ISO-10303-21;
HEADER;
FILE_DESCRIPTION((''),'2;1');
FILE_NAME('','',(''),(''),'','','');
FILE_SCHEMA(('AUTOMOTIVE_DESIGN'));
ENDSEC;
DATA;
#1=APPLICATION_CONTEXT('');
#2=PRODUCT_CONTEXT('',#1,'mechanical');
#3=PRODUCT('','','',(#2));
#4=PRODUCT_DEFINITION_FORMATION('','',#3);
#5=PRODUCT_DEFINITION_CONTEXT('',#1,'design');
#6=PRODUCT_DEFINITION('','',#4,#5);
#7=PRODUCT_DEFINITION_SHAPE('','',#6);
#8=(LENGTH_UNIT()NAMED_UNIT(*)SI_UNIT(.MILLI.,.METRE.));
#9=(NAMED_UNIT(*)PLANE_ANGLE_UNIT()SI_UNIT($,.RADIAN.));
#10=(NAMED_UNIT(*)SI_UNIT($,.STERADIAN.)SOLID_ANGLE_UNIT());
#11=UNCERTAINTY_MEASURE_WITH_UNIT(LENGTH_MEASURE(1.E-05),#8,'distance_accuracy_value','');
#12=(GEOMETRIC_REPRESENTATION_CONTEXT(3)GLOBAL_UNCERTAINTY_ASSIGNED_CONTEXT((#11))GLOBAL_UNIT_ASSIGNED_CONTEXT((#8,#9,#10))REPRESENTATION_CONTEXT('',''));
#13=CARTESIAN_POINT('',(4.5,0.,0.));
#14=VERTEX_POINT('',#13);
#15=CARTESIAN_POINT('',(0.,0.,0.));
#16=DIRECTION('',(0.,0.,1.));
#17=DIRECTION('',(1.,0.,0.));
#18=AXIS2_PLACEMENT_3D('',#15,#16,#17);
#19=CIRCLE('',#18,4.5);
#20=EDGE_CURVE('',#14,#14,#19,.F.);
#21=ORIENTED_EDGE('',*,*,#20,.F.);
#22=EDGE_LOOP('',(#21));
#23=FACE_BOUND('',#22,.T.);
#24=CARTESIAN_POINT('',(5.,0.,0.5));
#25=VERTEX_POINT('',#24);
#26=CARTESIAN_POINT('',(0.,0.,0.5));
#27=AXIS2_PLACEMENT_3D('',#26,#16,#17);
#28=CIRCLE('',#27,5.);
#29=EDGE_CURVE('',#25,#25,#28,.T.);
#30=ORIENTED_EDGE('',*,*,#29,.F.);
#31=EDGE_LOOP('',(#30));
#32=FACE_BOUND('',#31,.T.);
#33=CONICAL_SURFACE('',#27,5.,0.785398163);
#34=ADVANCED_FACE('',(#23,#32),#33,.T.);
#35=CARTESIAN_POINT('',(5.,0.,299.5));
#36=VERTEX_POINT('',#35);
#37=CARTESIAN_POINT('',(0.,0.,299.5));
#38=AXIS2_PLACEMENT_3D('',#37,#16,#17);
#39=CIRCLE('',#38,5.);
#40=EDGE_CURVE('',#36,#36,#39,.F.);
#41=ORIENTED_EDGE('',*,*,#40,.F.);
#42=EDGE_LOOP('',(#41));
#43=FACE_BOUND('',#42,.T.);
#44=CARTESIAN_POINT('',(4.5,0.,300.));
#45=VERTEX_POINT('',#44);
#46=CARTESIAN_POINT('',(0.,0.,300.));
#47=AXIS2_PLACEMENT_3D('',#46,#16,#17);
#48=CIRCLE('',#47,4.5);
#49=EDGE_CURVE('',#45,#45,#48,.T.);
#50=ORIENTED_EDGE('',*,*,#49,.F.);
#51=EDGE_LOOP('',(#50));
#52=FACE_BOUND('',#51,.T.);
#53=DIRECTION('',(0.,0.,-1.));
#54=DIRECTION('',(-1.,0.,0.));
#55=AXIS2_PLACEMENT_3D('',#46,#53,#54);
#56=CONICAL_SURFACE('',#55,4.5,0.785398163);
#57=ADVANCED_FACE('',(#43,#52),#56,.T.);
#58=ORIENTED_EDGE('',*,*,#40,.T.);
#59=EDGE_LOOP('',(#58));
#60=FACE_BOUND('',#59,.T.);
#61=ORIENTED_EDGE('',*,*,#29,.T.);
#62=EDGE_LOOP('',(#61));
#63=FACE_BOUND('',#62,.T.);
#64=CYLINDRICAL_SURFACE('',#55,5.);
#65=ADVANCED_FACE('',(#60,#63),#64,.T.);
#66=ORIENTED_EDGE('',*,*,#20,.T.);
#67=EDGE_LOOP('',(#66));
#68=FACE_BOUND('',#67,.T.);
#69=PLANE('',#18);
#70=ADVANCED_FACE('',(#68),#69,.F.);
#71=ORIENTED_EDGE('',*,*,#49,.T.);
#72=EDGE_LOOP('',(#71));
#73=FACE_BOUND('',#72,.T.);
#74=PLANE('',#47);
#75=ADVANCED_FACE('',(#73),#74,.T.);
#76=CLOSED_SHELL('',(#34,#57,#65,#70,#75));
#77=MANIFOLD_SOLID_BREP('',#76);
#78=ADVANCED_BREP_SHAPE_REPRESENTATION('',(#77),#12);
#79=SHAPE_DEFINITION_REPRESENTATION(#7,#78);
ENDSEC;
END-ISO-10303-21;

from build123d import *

# Parameters (mm, degrees)
ESBO_O1_R                = 5
RESSALTO_EXTRUS_O1_DEPTH = 300
CHANFRO1_SIZE            = 0.5


with BuildPart() as part:
    # Esboço1 → Ressalto-extrusão1 (new body)
    with BuildSketch(Plane.XY):
        Circle(ESBO_O1_R)
    extrude(amount=RESSALTO_EXTRUS_O1_DEPTH)

    # Chanfro1
    chanfro1_edges = [part.edges().sort_by_distance(p)[0] for p in [
        (-5, 0, 0),
        (-5, 0, 300),
    ]]
    chamfer(chanfro1_edges, length=CHANFRO1_SIZE)


solid = part.part
